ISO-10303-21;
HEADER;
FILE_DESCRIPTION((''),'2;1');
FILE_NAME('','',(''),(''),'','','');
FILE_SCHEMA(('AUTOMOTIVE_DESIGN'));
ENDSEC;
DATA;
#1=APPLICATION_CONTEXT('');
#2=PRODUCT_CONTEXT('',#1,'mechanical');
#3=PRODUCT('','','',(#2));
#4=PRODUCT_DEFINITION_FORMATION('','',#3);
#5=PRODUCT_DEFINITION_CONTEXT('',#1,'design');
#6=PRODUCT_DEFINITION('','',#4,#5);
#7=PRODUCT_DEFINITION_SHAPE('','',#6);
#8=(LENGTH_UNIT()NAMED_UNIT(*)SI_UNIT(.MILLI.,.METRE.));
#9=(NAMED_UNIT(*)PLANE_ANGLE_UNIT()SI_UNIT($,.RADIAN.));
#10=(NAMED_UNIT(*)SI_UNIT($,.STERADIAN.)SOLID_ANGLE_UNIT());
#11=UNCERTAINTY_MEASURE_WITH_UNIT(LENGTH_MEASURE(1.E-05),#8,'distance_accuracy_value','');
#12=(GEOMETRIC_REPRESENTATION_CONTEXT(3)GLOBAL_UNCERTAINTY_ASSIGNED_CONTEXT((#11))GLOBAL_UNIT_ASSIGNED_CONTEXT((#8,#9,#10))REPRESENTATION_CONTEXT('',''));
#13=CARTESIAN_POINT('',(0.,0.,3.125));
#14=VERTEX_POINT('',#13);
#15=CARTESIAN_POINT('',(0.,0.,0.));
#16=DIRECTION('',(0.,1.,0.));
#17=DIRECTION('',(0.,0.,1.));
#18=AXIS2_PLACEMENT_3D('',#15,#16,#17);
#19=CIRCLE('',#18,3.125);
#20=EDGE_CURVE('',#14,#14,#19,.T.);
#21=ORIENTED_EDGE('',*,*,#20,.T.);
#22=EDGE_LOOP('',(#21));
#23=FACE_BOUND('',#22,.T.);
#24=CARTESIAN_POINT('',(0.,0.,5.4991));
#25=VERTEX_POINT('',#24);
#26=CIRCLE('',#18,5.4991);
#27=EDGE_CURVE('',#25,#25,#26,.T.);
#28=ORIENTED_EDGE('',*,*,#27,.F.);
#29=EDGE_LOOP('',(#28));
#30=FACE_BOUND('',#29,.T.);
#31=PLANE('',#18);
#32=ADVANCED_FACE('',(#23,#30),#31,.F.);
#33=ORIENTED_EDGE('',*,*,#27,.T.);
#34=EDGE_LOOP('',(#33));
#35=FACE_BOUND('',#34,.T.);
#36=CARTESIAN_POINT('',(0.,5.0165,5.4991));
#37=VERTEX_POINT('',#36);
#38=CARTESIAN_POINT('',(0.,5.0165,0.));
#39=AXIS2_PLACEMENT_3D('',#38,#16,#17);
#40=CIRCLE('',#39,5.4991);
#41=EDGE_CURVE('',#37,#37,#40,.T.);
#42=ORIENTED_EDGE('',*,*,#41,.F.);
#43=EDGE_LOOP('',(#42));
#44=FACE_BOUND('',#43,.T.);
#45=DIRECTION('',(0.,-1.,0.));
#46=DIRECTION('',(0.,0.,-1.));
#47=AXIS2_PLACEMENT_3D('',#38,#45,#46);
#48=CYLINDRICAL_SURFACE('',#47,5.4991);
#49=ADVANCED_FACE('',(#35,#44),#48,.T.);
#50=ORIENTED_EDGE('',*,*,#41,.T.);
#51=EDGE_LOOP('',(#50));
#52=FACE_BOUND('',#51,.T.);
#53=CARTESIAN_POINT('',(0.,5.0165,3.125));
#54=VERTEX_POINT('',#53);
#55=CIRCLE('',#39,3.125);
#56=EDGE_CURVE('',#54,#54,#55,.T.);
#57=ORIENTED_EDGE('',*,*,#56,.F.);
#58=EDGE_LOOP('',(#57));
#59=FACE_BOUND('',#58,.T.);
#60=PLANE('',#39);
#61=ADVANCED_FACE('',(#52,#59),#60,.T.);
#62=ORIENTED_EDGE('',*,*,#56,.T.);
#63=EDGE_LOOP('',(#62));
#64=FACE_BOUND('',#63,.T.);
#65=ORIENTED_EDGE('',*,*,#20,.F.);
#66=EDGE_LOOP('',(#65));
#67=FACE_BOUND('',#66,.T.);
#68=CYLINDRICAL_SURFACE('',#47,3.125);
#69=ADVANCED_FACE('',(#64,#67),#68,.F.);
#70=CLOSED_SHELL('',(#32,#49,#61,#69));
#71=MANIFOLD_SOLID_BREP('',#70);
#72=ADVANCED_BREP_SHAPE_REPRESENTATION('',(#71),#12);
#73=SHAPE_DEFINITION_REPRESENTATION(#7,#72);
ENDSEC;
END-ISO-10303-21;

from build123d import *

# Parameters (mm, degrees)
SKETCH1_R           = 5.4991
SKETCH1_R_2         = 3.125
BOSS_EXTRUDE1_DEPTH = 5.0165


with BuildPart() as part:
    # Sketch1 → Boss-Extrude1 (new body)
    with BuildSketch(Plane(origin=(0, 0, 0), x_dir=(1, 0, 0), z_dir=(0, 1, 0))):
        with Locations(Location((0, 0, 0), (0, 0, 270))):
            Circle(SKETCH1_R)
        with Locations(Location((0, 0, 0), (0, 0, 270))):
            Circle(SKETCH1_R_2, mode=Mode.SUBTRACT)
    extrude(amount=BOSS_EXTRUDE1_DEPTH)


solid = part.part
